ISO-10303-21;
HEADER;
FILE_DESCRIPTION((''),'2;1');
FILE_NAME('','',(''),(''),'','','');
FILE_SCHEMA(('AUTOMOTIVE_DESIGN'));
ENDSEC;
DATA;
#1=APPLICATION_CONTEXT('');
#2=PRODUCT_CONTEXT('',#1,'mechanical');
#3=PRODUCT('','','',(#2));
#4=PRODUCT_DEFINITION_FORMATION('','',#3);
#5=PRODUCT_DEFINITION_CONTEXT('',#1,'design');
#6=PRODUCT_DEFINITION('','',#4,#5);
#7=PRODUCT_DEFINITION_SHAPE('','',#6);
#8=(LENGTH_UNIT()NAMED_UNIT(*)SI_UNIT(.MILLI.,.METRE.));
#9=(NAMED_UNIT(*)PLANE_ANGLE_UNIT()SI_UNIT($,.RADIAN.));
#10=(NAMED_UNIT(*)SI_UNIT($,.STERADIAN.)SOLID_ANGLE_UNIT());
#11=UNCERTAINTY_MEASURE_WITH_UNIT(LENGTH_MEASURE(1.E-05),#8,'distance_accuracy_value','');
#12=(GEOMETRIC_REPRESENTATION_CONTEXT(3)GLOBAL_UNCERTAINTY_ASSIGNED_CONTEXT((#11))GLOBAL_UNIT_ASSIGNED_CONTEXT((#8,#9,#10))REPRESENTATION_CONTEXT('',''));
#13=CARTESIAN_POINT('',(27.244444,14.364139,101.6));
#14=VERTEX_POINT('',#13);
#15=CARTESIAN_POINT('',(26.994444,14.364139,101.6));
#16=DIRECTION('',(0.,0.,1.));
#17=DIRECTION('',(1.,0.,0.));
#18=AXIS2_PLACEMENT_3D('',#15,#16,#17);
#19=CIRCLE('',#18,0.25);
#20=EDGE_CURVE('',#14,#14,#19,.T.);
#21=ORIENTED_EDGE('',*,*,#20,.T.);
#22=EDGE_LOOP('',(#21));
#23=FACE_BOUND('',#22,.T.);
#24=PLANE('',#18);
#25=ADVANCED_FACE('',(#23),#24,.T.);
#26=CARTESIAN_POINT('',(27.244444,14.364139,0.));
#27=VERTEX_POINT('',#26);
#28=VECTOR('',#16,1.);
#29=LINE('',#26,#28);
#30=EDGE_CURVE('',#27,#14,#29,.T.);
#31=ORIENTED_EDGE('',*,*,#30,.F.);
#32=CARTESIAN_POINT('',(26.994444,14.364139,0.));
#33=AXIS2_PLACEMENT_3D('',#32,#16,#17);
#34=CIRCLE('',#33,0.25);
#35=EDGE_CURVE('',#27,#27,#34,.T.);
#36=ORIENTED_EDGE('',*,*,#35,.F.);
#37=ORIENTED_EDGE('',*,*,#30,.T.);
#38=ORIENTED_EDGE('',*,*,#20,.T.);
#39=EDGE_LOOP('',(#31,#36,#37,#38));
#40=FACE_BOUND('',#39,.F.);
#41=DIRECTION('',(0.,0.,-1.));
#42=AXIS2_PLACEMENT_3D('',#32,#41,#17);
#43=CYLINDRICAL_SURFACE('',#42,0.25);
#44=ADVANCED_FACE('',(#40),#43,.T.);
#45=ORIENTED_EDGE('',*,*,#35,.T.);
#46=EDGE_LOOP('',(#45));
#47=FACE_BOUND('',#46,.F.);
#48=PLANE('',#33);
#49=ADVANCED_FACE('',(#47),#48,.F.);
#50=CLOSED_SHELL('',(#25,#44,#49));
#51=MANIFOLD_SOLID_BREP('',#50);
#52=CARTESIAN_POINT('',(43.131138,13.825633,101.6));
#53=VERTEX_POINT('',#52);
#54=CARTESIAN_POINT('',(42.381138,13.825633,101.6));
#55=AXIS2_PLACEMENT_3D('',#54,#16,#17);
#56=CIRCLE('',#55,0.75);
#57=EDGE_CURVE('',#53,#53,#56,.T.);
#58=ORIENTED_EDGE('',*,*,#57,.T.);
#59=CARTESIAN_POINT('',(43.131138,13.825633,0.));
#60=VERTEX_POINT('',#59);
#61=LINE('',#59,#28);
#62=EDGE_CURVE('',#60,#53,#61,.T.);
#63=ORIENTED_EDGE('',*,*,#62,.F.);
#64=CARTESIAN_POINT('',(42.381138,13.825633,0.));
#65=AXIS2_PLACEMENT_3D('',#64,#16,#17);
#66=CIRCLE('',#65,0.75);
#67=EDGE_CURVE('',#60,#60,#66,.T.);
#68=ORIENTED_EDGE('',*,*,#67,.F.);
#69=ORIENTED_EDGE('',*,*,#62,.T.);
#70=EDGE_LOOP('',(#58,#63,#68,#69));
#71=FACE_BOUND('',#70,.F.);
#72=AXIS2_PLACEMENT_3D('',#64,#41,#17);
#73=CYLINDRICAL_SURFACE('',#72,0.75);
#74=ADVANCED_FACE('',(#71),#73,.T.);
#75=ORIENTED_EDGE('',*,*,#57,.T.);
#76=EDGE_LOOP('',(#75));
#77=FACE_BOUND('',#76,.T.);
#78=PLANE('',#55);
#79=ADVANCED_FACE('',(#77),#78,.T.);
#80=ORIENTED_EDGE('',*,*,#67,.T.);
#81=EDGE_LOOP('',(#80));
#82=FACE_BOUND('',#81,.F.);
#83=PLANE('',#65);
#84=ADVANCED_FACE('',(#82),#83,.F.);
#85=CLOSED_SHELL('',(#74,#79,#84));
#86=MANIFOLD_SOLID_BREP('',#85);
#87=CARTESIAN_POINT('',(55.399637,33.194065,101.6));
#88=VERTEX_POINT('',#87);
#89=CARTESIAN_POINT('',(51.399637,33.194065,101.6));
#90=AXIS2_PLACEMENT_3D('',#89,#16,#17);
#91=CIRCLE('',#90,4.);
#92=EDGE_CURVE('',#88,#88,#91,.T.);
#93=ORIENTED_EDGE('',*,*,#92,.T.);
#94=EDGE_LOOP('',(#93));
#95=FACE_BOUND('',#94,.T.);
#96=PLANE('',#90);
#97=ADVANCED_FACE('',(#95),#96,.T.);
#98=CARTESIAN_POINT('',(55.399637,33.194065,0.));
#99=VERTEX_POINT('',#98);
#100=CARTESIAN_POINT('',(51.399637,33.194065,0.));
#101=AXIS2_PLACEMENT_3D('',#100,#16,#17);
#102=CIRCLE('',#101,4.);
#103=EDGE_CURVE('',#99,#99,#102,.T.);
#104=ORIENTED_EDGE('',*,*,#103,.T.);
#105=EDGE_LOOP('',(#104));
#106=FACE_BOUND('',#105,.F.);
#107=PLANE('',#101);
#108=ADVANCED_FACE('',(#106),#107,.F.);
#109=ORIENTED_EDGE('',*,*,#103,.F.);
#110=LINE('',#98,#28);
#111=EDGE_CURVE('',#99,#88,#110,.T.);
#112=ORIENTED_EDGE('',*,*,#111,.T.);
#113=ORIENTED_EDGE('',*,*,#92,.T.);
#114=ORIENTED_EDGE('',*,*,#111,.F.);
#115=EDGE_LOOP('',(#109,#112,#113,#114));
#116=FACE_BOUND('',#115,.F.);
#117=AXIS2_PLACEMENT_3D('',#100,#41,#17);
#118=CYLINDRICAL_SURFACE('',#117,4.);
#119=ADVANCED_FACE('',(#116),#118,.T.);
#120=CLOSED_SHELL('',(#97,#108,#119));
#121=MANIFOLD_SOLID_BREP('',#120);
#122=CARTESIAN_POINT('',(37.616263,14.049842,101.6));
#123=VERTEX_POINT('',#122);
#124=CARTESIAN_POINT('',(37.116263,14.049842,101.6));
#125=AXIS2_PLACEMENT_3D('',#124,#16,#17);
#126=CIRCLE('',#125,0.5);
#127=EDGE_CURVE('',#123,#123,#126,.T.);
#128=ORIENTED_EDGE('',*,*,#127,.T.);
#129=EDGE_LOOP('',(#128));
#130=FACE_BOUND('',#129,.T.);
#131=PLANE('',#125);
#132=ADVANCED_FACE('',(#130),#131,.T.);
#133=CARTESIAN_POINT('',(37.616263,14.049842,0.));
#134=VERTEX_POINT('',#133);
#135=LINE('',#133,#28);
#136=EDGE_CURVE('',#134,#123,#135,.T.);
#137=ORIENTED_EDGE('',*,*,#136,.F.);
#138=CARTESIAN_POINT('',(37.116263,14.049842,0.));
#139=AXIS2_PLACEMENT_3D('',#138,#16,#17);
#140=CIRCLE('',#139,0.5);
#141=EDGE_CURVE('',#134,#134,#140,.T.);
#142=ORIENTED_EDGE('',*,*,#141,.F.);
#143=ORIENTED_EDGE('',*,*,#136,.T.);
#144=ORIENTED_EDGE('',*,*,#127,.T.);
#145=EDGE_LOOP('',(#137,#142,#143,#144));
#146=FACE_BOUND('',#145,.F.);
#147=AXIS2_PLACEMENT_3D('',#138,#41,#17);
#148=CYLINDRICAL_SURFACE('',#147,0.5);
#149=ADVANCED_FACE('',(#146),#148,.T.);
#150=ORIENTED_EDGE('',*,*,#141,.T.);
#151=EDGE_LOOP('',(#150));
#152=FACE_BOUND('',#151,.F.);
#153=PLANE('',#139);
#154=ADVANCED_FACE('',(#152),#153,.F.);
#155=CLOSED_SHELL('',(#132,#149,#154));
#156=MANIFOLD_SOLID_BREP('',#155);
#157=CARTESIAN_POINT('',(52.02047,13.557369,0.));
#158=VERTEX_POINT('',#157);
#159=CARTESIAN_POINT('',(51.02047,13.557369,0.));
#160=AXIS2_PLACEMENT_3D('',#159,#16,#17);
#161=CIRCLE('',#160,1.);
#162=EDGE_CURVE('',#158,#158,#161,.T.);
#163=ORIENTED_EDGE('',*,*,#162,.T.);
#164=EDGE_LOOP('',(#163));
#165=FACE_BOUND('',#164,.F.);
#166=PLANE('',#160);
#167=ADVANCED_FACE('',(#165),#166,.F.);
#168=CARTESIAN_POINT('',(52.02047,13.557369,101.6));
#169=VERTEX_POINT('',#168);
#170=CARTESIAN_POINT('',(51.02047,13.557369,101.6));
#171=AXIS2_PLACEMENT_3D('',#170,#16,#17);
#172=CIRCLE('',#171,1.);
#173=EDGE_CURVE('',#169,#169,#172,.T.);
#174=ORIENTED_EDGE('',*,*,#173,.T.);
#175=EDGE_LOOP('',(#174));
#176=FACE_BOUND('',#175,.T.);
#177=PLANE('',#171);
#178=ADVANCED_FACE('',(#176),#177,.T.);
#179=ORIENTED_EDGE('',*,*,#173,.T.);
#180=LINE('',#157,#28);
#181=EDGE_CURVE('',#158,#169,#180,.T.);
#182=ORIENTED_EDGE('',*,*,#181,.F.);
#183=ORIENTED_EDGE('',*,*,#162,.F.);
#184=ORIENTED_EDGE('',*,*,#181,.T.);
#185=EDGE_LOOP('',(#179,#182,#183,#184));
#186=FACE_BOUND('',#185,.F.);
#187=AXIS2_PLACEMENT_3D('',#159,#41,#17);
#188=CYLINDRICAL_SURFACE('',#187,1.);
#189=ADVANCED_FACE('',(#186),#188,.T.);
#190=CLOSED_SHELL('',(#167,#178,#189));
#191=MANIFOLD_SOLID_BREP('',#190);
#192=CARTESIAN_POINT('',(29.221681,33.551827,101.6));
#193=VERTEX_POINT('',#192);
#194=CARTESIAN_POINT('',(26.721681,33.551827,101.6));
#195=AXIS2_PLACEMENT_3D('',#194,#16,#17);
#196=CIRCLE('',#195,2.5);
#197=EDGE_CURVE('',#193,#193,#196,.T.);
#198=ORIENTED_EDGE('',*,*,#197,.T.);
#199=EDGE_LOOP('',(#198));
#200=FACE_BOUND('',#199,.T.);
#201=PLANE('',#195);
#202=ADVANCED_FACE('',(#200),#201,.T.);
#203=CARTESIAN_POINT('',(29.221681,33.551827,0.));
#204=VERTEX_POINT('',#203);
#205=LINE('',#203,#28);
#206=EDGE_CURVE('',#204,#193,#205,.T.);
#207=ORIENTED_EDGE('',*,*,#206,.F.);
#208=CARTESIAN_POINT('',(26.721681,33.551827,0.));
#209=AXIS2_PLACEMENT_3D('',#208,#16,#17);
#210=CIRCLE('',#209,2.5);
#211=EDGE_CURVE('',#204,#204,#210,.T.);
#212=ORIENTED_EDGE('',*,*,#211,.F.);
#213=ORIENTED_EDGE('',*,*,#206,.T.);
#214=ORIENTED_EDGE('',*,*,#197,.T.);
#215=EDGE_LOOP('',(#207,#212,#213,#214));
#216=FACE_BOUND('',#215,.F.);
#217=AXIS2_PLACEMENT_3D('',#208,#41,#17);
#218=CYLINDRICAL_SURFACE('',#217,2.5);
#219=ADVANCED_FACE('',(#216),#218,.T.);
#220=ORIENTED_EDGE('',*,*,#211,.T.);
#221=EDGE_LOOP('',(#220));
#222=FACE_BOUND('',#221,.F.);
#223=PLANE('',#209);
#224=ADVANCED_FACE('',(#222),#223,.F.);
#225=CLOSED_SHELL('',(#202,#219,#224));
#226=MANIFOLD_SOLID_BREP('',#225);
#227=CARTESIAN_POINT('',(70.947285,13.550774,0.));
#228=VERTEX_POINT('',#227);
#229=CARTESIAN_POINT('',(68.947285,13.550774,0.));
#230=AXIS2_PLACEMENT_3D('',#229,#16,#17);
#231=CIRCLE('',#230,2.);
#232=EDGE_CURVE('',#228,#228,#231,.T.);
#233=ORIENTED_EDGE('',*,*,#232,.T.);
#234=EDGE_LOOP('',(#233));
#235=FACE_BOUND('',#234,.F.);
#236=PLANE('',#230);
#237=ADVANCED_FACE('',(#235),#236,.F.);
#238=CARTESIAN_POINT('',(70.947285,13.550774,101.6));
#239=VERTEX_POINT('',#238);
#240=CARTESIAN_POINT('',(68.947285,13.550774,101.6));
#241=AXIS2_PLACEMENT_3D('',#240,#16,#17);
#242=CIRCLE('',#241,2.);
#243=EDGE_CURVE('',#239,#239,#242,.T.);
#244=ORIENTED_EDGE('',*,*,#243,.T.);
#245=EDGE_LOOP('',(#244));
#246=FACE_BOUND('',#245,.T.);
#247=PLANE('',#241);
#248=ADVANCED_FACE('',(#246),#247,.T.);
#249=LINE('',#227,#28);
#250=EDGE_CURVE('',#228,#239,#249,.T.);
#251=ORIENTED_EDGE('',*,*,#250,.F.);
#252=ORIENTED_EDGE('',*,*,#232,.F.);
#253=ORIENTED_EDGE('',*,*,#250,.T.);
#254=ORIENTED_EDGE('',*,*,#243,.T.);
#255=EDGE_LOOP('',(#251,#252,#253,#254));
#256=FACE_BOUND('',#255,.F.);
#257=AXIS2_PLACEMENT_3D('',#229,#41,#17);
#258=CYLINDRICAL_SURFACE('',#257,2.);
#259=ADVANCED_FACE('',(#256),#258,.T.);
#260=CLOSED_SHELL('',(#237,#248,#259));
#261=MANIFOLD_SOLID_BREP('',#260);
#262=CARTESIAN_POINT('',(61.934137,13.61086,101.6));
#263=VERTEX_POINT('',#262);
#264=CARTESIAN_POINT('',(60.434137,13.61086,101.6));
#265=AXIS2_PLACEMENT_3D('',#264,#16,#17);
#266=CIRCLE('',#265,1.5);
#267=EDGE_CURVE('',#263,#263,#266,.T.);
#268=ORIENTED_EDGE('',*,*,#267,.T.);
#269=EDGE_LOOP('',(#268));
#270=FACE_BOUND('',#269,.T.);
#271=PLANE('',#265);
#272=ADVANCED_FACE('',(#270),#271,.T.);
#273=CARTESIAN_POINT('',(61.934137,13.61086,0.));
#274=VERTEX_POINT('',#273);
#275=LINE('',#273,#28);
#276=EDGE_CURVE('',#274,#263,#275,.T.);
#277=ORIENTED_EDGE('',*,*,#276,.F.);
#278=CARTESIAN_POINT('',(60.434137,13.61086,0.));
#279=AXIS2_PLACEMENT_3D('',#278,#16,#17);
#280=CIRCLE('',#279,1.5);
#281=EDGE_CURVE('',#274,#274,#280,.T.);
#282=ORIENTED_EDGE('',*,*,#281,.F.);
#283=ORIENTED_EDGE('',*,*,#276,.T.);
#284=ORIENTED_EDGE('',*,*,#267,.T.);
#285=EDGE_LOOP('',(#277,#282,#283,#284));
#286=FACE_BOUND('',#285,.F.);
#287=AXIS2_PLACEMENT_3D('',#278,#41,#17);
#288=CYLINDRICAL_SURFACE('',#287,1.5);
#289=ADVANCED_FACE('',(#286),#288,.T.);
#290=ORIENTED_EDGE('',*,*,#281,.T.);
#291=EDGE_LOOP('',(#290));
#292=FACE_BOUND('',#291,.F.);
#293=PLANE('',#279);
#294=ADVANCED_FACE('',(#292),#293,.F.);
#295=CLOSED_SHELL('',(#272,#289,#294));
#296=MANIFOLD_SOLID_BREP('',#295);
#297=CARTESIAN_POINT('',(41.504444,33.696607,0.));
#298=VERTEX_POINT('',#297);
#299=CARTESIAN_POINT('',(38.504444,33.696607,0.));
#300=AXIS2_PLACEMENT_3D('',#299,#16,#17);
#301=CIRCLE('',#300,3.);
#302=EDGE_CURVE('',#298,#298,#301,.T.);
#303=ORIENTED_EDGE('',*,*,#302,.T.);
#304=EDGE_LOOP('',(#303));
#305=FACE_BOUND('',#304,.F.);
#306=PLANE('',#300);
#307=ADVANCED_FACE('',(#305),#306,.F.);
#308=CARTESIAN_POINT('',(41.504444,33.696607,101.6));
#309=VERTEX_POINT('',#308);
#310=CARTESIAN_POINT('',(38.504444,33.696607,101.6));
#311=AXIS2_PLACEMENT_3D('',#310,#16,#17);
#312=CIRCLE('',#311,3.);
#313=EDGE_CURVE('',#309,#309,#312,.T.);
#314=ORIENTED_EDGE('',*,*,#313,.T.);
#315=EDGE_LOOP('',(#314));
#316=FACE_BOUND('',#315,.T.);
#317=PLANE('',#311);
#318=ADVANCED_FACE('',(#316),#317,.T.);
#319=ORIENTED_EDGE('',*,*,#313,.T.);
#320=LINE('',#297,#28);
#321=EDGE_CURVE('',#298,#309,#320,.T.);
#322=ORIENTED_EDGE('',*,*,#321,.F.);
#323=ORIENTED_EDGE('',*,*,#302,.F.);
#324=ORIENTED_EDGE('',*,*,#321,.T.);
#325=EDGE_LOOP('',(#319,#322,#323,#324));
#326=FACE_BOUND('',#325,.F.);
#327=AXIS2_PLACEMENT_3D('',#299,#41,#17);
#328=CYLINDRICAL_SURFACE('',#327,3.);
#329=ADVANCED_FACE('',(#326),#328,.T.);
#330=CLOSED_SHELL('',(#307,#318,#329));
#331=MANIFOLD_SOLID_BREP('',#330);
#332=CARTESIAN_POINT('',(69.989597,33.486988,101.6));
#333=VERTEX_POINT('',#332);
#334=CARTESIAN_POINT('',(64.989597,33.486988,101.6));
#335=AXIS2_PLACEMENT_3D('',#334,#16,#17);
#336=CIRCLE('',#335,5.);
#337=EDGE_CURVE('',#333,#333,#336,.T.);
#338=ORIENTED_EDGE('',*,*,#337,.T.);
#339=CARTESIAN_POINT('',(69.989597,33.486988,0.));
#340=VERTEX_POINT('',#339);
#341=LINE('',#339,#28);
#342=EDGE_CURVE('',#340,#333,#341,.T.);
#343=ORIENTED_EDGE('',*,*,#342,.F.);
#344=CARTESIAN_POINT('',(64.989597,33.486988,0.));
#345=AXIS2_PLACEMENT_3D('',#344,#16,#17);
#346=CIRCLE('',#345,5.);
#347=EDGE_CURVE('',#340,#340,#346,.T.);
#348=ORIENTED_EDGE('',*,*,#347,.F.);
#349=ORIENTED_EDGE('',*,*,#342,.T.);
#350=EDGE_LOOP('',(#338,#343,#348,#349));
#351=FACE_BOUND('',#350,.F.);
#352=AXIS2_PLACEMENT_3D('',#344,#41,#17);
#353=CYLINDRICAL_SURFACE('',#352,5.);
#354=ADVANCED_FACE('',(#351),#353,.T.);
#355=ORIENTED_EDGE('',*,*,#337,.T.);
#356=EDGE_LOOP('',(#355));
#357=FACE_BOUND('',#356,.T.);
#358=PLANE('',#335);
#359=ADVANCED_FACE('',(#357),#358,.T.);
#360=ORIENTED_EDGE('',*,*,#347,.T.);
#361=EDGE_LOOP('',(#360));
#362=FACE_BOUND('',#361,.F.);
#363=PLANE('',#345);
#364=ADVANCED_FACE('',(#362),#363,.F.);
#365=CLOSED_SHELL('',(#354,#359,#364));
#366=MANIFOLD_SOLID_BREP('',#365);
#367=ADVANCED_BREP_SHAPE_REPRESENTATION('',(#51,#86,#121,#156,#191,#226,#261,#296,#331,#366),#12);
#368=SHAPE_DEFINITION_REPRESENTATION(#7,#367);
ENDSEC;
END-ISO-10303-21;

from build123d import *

# Parameters (mm, degrees)
F0_R     = 0.25
F0_R_2   = 0.5
F0_R_3   = 0.75
F0_R_4   = 1
F0_R_5   = 1.5
F0_R_6   = 2
F0_R_7   = 2.5
F0_R_8   = 3
F0_R_9   = 5
F0_R_10  = 4
F1_DEPTH = 101.6


with BuildPart() as f1:
    # F0 (on Top) → F1 (new body)
    with BuildSketch(Plane.XY):
        with Locations((26.994444, 14.364139)):
            Circle(F0_R)
        with Locations((37.116263, 14.049842)):
            Circle(F0_R_2)
        with Locations((42.381138, 13.825633)):
            Circle(F0_R_3)
        with Locations((51.02047, 13.557369)):
            Circle(F0_R_4)
        with Locations((60.434137, 13.61086)):
            Circle(F0_R_5)
        with Locations((68.947285, 13.550774)):
            Circle(F0_R_6)
        with Locations((26.721681, 33.551827)):
            Circle(F0_R_7)
        with Locations((38.504444, 33.696607)):
            Circle(F0_R_8)
        with Locations((64.989597, 33.486988)):
            Circle(F0_R_9)
        with Locations((51.399637, 33.194065)):
            Circle(F0_R_10)
    extrude(amount=F1_DEPTH)


solid = f1.part
